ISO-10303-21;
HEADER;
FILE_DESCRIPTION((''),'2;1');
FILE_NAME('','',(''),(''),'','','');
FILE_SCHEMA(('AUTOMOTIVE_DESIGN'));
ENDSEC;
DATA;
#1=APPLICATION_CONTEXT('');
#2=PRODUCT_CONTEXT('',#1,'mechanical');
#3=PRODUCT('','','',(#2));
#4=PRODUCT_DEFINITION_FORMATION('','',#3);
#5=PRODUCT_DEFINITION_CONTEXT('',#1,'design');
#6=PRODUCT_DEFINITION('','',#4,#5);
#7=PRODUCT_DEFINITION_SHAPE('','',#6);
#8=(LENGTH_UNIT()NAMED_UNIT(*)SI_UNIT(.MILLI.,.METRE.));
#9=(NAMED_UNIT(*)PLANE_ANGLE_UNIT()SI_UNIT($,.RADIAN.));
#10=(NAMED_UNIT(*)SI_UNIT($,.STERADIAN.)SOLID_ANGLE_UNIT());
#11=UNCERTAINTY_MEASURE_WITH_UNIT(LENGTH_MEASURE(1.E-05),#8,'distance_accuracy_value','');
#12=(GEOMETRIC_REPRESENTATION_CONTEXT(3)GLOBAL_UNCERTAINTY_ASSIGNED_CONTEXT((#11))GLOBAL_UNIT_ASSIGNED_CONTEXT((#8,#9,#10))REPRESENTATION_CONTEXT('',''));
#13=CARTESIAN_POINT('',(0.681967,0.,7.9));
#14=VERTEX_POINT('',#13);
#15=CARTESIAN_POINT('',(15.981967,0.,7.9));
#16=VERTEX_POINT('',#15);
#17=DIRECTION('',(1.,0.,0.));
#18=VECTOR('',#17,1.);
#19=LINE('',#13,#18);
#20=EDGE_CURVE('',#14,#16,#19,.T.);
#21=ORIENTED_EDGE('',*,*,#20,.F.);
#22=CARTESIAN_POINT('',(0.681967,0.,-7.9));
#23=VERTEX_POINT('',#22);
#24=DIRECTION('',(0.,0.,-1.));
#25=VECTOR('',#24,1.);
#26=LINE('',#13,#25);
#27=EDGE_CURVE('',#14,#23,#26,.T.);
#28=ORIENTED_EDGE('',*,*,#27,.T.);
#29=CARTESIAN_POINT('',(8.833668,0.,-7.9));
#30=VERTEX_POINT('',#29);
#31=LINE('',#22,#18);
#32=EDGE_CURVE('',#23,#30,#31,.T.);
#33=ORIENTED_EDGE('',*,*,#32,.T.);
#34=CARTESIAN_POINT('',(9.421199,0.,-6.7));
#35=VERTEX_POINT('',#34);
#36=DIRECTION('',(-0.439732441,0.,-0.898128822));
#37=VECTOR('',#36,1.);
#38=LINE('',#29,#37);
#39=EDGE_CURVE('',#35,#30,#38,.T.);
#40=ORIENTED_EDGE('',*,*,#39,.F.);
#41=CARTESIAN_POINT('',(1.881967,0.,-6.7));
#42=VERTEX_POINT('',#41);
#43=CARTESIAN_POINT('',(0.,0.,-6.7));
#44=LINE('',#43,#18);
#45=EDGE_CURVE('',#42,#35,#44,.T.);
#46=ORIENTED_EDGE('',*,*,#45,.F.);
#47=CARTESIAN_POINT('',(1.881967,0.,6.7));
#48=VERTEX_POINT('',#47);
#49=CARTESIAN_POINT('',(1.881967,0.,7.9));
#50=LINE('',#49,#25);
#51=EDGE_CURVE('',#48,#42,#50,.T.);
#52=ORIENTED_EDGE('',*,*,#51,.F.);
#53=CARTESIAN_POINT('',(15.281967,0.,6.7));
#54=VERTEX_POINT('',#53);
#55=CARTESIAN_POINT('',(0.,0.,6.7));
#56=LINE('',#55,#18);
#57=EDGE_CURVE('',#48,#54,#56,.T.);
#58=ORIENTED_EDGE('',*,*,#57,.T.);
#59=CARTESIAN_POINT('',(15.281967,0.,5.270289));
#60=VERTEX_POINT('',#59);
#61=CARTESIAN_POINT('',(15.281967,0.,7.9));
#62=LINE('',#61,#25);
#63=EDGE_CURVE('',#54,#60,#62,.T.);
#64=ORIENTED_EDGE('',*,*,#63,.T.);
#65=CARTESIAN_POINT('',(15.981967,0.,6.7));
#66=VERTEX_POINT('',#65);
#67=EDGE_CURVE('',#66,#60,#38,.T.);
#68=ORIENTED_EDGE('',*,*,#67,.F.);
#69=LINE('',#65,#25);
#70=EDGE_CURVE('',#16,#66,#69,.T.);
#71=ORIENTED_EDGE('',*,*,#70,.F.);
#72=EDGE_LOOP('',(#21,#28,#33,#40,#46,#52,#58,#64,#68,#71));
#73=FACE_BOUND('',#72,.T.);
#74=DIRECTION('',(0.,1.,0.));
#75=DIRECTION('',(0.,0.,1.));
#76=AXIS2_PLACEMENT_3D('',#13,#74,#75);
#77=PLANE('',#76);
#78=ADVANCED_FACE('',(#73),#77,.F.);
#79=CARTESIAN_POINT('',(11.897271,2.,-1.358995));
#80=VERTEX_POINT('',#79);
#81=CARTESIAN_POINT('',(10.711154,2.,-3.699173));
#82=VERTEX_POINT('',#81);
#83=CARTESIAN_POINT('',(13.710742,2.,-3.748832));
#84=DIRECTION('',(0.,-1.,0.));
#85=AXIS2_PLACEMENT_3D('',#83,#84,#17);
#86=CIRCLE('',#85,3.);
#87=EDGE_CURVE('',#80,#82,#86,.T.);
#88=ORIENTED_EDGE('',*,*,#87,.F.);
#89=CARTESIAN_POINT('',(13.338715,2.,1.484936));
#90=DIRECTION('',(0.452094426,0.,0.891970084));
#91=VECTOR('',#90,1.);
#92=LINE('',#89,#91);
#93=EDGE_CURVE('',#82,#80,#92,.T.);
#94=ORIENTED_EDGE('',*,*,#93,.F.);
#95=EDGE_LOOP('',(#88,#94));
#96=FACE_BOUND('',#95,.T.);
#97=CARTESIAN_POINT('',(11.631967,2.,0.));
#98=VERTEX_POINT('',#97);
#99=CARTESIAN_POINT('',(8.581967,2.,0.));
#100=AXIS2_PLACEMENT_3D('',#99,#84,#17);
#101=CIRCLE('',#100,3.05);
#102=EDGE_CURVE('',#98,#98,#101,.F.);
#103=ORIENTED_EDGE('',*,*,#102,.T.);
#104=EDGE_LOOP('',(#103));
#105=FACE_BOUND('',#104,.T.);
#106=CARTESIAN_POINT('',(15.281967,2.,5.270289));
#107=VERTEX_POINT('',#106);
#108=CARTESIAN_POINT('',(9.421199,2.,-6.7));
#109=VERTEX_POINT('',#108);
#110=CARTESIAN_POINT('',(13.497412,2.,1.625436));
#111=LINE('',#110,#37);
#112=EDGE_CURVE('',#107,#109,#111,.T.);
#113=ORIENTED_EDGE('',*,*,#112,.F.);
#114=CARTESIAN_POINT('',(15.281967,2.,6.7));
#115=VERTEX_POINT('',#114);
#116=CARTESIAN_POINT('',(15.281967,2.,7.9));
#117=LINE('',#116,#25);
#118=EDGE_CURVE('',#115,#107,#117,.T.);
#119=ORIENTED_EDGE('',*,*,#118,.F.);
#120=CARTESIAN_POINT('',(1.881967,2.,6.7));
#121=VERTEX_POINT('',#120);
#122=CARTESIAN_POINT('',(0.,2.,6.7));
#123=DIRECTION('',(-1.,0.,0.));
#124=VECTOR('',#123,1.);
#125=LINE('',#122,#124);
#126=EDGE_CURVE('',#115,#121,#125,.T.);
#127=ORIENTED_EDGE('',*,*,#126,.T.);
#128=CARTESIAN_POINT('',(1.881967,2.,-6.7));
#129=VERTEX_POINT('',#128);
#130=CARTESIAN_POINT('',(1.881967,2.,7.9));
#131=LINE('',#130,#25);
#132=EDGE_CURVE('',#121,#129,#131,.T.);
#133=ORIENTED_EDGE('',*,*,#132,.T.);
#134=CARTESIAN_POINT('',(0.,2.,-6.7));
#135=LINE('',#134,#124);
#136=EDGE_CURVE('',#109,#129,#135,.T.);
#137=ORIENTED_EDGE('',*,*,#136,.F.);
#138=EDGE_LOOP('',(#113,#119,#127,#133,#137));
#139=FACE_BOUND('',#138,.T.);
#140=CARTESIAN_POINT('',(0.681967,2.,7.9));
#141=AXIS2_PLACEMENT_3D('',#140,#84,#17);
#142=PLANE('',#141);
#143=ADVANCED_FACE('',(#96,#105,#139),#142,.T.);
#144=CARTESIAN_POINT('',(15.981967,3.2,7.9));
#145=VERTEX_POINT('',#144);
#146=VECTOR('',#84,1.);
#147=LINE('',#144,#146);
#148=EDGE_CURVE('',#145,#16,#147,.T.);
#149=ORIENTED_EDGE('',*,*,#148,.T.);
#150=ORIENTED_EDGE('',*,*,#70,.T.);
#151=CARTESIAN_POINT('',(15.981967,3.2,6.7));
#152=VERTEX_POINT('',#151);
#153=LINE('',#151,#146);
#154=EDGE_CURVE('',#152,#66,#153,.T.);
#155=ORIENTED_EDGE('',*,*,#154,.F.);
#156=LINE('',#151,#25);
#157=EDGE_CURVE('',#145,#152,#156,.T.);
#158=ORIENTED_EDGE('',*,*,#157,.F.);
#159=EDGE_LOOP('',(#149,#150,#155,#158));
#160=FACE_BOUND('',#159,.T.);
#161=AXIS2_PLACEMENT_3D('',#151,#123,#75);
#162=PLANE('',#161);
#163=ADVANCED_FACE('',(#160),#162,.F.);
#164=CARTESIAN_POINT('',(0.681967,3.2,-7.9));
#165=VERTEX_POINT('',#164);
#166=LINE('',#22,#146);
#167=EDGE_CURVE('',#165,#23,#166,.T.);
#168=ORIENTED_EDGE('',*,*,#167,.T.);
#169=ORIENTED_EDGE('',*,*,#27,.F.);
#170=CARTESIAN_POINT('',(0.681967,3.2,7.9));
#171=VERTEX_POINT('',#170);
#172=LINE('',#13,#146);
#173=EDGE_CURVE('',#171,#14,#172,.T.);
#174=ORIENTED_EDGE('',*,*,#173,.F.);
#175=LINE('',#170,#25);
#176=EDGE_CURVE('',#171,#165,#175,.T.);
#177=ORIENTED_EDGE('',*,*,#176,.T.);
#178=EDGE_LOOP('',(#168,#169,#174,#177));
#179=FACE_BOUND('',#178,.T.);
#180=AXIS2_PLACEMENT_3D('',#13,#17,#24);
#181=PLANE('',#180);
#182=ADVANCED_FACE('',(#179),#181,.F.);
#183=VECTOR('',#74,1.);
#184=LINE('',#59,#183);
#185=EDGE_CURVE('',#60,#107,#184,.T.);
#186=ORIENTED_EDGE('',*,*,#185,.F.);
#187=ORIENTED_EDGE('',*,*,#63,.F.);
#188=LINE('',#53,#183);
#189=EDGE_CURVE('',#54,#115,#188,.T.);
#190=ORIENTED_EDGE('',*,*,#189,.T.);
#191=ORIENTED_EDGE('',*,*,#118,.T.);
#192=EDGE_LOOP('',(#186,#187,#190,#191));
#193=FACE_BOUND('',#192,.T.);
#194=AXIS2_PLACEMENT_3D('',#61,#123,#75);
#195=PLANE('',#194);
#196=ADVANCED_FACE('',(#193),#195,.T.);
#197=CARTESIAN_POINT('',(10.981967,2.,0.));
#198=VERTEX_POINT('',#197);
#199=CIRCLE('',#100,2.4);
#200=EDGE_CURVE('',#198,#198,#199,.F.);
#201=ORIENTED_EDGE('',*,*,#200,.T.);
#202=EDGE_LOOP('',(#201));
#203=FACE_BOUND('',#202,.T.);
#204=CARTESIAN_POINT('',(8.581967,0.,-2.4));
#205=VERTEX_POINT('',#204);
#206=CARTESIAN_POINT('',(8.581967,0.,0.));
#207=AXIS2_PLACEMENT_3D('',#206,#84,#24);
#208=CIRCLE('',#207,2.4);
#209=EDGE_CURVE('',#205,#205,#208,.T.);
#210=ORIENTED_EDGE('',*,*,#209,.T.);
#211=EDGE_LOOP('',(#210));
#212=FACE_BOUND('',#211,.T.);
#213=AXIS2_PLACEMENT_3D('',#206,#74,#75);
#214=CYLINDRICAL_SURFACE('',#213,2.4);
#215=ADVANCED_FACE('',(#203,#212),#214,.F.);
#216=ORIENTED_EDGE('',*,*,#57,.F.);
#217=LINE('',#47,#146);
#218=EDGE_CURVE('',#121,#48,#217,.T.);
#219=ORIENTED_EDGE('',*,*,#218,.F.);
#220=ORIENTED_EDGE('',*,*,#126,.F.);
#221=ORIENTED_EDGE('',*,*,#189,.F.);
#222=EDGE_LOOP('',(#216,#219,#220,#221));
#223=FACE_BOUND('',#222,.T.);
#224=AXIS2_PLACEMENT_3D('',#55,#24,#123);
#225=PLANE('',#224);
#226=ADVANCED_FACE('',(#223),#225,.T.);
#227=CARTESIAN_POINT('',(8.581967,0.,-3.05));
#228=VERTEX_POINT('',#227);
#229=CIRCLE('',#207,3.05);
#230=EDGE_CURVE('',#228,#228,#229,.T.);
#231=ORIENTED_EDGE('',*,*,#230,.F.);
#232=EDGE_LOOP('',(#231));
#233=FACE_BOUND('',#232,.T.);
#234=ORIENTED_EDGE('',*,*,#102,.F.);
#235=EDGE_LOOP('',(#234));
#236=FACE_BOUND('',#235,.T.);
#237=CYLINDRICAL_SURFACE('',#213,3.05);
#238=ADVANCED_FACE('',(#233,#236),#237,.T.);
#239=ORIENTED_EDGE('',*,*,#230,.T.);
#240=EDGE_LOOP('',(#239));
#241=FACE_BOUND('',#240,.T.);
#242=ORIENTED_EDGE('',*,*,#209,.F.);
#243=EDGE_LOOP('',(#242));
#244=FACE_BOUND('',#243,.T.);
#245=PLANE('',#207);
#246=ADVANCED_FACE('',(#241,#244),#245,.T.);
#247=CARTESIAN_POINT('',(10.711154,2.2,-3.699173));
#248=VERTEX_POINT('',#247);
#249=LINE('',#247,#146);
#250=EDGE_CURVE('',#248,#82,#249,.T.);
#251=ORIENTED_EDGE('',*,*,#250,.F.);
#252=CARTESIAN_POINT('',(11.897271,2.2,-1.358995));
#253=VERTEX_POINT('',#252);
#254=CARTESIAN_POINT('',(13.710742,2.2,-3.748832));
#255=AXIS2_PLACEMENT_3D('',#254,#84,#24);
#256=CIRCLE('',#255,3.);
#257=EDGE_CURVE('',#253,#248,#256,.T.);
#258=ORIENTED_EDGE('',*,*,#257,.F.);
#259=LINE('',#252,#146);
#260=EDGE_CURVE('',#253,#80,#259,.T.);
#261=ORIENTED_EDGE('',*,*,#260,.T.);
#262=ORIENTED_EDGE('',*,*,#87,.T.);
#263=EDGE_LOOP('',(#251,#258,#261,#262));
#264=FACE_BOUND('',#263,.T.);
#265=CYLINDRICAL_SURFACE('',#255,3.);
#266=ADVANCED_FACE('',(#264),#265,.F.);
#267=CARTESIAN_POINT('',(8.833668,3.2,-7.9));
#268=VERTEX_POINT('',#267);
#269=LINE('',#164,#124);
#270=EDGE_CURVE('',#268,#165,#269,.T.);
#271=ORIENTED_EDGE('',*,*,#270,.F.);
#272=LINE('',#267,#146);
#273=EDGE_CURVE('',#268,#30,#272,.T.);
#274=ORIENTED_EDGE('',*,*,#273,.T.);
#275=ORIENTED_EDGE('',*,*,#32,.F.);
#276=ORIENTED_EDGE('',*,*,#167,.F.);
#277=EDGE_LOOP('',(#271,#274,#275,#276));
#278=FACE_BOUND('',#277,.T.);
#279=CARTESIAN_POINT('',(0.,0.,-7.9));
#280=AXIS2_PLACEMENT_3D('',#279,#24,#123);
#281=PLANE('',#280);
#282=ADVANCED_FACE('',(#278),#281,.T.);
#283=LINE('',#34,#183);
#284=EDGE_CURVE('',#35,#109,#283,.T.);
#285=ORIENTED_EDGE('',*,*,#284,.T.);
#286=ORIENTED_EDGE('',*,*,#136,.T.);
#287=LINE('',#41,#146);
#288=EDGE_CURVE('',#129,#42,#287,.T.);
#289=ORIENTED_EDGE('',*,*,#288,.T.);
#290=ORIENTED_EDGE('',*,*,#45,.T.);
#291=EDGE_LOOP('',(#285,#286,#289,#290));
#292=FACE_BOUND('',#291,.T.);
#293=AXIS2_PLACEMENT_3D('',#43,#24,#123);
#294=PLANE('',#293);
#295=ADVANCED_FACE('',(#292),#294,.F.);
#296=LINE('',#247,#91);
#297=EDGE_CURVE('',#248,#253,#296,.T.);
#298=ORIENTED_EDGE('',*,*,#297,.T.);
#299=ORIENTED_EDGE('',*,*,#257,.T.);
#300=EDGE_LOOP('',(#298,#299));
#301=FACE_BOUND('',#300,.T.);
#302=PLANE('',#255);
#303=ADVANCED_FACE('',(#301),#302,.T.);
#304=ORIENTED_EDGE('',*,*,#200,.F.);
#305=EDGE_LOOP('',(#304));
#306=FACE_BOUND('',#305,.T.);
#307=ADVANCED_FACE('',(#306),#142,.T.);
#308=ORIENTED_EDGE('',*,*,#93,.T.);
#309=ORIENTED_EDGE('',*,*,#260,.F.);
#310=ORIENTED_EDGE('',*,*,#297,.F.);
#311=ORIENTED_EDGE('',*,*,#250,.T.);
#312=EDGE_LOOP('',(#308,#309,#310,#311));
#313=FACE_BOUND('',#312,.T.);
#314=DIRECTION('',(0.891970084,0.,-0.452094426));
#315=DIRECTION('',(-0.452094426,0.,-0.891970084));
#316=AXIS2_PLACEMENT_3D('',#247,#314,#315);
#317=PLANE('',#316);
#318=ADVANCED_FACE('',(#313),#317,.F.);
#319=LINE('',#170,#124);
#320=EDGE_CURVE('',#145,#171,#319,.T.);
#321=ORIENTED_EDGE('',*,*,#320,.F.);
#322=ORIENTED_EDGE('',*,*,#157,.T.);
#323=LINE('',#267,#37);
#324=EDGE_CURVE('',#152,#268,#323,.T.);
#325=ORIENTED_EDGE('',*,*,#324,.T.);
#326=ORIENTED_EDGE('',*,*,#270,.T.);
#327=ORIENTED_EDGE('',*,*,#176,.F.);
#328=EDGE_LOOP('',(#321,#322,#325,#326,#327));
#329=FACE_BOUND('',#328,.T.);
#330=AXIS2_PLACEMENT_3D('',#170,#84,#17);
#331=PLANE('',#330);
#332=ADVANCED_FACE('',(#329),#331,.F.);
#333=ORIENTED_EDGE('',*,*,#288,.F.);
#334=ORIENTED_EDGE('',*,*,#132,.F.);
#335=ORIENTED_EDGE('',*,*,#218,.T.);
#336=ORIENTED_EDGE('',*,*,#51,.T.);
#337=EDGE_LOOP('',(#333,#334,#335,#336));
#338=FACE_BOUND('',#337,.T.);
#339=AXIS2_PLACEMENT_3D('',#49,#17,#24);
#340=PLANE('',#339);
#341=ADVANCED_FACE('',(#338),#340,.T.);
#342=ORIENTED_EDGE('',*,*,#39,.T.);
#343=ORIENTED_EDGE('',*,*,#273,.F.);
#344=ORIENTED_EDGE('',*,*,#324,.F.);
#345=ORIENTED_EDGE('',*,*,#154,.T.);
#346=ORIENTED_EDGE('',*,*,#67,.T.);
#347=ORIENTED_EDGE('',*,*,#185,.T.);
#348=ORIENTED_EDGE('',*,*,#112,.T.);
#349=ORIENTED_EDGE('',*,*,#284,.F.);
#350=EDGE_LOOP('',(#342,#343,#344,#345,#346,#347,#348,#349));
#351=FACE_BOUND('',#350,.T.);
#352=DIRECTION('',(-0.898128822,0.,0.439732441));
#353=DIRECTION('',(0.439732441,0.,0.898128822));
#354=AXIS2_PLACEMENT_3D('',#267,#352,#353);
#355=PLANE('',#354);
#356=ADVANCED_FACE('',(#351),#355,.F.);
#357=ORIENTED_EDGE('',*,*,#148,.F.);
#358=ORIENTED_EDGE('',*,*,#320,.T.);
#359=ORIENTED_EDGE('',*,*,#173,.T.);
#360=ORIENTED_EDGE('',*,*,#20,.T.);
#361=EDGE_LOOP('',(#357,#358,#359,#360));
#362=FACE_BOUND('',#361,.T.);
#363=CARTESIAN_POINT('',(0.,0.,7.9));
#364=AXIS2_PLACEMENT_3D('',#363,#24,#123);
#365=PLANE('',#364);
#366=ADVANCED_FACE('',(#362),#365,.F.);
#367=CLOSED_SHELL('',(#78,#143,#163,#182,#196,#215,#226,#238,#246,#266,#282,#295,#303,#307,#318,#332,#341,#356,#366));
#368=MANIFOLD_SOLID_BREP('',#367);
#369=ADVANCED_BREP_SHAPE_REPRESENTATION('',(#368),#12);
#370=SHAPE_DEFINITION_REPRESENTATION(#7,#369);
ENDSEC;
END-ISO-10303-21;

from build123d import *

# Parameters (mm, degrees)
MAINBASESKETCH_W          = 15.8
MAINBASESKETCH_H          = 3.2
MAINBASEEXTRUDE_DEPTH     = 7.9
MAINBASESHELL_T           = -1.2
UNDERSIDECIRCLEEXT_START  = -0.2
UNDERSIDECIRCLESKETCH_R   = 3.05
UNDERSIDECIRCLESKETCH_R_2 = 2.4
UNDERSIDECIRCLEEXT_DEPTH  = 2.2
SECONDANGLEDCUT_DEPTH     = 19.555463972
SECONDNOTCH_DEPTH         = 2.2


with BuildPart() as part:
    # MainBaseSketch → MainBaseExtrude (new, symmetric)
    with BuildSketch(Plane.XY):
        with Locations((8.581967213, 1.6)):
            Rectangle(MAINBASESKETCH_W, MAINBASESKETCH_H)
    extrude(amount=MAINBASEEXTRUDE_DEPTH, both=True)

    # MainBaseShell
    mainbaseshell_openings = [part.faces().sort_by_distance(p)[0] for p in [
        (8.581967213, 0, 0),
    ]]
    offset(amount=MAINBASESHELL_T, openings=mainbaseshell_openings, kind=Kind.INTERSECTION)

    # UnderSideCircleSketch → UnderSideCircleExt (add)
    with BuildSketch(Plane.XZ.offset(-2).offset(UNDERSIDECIRCLEEXT_START)):
        with Locations((8.581967213, 0)):
            Circle(UNDERSIDECIRCLESKETCH_R)
        with Locations((8.581967213, 0)):
            Circle(UNDERSIDECIRCLESKETCH_R_2, mode=Mode.SUBTRACT)
    extrude(amount=UNDERSIDECIRCLEEXT_DEPTH)

    # Sketch53 → SecondAngledCut (cut, through all)
    with BuildSketch(Plane(origin=(0, 0, 0), x_dir=(-1, 0, 0), z_dir=(0, -1, 0))):
        Polygon((-8.833667893, 7.9), (-15.981967213, -6.7), (-15.981967213, -7.9), (-16.481967213, -7.9), (-16.481967213, 7.9), align=None)
    extrude(amount=-SECONDANGLEDCUT_DEPTH, mode=Mode.SUBTRACT)

    # Sketch56 → SecondNotch (cut)
    with BuildSketch(Plane(origin=(0, 0, 0), x_dir=(-1, 0, 0), z_dir=(0, -1, 0))):
        with BuildLine():
            Line((-10.711153505, 3.699172992), (-11.897271127, 1.358994981))
            ThreePointArc((-11.897271127, 1.358994981), (-11.034832221, 2.39254887), (-10.711153505, 3.699172992))
        make_face()
    extrude(amount=-SECONDNOTCH_DEPTH, mode=Mode.SUBTRACT)


solid = part.part
